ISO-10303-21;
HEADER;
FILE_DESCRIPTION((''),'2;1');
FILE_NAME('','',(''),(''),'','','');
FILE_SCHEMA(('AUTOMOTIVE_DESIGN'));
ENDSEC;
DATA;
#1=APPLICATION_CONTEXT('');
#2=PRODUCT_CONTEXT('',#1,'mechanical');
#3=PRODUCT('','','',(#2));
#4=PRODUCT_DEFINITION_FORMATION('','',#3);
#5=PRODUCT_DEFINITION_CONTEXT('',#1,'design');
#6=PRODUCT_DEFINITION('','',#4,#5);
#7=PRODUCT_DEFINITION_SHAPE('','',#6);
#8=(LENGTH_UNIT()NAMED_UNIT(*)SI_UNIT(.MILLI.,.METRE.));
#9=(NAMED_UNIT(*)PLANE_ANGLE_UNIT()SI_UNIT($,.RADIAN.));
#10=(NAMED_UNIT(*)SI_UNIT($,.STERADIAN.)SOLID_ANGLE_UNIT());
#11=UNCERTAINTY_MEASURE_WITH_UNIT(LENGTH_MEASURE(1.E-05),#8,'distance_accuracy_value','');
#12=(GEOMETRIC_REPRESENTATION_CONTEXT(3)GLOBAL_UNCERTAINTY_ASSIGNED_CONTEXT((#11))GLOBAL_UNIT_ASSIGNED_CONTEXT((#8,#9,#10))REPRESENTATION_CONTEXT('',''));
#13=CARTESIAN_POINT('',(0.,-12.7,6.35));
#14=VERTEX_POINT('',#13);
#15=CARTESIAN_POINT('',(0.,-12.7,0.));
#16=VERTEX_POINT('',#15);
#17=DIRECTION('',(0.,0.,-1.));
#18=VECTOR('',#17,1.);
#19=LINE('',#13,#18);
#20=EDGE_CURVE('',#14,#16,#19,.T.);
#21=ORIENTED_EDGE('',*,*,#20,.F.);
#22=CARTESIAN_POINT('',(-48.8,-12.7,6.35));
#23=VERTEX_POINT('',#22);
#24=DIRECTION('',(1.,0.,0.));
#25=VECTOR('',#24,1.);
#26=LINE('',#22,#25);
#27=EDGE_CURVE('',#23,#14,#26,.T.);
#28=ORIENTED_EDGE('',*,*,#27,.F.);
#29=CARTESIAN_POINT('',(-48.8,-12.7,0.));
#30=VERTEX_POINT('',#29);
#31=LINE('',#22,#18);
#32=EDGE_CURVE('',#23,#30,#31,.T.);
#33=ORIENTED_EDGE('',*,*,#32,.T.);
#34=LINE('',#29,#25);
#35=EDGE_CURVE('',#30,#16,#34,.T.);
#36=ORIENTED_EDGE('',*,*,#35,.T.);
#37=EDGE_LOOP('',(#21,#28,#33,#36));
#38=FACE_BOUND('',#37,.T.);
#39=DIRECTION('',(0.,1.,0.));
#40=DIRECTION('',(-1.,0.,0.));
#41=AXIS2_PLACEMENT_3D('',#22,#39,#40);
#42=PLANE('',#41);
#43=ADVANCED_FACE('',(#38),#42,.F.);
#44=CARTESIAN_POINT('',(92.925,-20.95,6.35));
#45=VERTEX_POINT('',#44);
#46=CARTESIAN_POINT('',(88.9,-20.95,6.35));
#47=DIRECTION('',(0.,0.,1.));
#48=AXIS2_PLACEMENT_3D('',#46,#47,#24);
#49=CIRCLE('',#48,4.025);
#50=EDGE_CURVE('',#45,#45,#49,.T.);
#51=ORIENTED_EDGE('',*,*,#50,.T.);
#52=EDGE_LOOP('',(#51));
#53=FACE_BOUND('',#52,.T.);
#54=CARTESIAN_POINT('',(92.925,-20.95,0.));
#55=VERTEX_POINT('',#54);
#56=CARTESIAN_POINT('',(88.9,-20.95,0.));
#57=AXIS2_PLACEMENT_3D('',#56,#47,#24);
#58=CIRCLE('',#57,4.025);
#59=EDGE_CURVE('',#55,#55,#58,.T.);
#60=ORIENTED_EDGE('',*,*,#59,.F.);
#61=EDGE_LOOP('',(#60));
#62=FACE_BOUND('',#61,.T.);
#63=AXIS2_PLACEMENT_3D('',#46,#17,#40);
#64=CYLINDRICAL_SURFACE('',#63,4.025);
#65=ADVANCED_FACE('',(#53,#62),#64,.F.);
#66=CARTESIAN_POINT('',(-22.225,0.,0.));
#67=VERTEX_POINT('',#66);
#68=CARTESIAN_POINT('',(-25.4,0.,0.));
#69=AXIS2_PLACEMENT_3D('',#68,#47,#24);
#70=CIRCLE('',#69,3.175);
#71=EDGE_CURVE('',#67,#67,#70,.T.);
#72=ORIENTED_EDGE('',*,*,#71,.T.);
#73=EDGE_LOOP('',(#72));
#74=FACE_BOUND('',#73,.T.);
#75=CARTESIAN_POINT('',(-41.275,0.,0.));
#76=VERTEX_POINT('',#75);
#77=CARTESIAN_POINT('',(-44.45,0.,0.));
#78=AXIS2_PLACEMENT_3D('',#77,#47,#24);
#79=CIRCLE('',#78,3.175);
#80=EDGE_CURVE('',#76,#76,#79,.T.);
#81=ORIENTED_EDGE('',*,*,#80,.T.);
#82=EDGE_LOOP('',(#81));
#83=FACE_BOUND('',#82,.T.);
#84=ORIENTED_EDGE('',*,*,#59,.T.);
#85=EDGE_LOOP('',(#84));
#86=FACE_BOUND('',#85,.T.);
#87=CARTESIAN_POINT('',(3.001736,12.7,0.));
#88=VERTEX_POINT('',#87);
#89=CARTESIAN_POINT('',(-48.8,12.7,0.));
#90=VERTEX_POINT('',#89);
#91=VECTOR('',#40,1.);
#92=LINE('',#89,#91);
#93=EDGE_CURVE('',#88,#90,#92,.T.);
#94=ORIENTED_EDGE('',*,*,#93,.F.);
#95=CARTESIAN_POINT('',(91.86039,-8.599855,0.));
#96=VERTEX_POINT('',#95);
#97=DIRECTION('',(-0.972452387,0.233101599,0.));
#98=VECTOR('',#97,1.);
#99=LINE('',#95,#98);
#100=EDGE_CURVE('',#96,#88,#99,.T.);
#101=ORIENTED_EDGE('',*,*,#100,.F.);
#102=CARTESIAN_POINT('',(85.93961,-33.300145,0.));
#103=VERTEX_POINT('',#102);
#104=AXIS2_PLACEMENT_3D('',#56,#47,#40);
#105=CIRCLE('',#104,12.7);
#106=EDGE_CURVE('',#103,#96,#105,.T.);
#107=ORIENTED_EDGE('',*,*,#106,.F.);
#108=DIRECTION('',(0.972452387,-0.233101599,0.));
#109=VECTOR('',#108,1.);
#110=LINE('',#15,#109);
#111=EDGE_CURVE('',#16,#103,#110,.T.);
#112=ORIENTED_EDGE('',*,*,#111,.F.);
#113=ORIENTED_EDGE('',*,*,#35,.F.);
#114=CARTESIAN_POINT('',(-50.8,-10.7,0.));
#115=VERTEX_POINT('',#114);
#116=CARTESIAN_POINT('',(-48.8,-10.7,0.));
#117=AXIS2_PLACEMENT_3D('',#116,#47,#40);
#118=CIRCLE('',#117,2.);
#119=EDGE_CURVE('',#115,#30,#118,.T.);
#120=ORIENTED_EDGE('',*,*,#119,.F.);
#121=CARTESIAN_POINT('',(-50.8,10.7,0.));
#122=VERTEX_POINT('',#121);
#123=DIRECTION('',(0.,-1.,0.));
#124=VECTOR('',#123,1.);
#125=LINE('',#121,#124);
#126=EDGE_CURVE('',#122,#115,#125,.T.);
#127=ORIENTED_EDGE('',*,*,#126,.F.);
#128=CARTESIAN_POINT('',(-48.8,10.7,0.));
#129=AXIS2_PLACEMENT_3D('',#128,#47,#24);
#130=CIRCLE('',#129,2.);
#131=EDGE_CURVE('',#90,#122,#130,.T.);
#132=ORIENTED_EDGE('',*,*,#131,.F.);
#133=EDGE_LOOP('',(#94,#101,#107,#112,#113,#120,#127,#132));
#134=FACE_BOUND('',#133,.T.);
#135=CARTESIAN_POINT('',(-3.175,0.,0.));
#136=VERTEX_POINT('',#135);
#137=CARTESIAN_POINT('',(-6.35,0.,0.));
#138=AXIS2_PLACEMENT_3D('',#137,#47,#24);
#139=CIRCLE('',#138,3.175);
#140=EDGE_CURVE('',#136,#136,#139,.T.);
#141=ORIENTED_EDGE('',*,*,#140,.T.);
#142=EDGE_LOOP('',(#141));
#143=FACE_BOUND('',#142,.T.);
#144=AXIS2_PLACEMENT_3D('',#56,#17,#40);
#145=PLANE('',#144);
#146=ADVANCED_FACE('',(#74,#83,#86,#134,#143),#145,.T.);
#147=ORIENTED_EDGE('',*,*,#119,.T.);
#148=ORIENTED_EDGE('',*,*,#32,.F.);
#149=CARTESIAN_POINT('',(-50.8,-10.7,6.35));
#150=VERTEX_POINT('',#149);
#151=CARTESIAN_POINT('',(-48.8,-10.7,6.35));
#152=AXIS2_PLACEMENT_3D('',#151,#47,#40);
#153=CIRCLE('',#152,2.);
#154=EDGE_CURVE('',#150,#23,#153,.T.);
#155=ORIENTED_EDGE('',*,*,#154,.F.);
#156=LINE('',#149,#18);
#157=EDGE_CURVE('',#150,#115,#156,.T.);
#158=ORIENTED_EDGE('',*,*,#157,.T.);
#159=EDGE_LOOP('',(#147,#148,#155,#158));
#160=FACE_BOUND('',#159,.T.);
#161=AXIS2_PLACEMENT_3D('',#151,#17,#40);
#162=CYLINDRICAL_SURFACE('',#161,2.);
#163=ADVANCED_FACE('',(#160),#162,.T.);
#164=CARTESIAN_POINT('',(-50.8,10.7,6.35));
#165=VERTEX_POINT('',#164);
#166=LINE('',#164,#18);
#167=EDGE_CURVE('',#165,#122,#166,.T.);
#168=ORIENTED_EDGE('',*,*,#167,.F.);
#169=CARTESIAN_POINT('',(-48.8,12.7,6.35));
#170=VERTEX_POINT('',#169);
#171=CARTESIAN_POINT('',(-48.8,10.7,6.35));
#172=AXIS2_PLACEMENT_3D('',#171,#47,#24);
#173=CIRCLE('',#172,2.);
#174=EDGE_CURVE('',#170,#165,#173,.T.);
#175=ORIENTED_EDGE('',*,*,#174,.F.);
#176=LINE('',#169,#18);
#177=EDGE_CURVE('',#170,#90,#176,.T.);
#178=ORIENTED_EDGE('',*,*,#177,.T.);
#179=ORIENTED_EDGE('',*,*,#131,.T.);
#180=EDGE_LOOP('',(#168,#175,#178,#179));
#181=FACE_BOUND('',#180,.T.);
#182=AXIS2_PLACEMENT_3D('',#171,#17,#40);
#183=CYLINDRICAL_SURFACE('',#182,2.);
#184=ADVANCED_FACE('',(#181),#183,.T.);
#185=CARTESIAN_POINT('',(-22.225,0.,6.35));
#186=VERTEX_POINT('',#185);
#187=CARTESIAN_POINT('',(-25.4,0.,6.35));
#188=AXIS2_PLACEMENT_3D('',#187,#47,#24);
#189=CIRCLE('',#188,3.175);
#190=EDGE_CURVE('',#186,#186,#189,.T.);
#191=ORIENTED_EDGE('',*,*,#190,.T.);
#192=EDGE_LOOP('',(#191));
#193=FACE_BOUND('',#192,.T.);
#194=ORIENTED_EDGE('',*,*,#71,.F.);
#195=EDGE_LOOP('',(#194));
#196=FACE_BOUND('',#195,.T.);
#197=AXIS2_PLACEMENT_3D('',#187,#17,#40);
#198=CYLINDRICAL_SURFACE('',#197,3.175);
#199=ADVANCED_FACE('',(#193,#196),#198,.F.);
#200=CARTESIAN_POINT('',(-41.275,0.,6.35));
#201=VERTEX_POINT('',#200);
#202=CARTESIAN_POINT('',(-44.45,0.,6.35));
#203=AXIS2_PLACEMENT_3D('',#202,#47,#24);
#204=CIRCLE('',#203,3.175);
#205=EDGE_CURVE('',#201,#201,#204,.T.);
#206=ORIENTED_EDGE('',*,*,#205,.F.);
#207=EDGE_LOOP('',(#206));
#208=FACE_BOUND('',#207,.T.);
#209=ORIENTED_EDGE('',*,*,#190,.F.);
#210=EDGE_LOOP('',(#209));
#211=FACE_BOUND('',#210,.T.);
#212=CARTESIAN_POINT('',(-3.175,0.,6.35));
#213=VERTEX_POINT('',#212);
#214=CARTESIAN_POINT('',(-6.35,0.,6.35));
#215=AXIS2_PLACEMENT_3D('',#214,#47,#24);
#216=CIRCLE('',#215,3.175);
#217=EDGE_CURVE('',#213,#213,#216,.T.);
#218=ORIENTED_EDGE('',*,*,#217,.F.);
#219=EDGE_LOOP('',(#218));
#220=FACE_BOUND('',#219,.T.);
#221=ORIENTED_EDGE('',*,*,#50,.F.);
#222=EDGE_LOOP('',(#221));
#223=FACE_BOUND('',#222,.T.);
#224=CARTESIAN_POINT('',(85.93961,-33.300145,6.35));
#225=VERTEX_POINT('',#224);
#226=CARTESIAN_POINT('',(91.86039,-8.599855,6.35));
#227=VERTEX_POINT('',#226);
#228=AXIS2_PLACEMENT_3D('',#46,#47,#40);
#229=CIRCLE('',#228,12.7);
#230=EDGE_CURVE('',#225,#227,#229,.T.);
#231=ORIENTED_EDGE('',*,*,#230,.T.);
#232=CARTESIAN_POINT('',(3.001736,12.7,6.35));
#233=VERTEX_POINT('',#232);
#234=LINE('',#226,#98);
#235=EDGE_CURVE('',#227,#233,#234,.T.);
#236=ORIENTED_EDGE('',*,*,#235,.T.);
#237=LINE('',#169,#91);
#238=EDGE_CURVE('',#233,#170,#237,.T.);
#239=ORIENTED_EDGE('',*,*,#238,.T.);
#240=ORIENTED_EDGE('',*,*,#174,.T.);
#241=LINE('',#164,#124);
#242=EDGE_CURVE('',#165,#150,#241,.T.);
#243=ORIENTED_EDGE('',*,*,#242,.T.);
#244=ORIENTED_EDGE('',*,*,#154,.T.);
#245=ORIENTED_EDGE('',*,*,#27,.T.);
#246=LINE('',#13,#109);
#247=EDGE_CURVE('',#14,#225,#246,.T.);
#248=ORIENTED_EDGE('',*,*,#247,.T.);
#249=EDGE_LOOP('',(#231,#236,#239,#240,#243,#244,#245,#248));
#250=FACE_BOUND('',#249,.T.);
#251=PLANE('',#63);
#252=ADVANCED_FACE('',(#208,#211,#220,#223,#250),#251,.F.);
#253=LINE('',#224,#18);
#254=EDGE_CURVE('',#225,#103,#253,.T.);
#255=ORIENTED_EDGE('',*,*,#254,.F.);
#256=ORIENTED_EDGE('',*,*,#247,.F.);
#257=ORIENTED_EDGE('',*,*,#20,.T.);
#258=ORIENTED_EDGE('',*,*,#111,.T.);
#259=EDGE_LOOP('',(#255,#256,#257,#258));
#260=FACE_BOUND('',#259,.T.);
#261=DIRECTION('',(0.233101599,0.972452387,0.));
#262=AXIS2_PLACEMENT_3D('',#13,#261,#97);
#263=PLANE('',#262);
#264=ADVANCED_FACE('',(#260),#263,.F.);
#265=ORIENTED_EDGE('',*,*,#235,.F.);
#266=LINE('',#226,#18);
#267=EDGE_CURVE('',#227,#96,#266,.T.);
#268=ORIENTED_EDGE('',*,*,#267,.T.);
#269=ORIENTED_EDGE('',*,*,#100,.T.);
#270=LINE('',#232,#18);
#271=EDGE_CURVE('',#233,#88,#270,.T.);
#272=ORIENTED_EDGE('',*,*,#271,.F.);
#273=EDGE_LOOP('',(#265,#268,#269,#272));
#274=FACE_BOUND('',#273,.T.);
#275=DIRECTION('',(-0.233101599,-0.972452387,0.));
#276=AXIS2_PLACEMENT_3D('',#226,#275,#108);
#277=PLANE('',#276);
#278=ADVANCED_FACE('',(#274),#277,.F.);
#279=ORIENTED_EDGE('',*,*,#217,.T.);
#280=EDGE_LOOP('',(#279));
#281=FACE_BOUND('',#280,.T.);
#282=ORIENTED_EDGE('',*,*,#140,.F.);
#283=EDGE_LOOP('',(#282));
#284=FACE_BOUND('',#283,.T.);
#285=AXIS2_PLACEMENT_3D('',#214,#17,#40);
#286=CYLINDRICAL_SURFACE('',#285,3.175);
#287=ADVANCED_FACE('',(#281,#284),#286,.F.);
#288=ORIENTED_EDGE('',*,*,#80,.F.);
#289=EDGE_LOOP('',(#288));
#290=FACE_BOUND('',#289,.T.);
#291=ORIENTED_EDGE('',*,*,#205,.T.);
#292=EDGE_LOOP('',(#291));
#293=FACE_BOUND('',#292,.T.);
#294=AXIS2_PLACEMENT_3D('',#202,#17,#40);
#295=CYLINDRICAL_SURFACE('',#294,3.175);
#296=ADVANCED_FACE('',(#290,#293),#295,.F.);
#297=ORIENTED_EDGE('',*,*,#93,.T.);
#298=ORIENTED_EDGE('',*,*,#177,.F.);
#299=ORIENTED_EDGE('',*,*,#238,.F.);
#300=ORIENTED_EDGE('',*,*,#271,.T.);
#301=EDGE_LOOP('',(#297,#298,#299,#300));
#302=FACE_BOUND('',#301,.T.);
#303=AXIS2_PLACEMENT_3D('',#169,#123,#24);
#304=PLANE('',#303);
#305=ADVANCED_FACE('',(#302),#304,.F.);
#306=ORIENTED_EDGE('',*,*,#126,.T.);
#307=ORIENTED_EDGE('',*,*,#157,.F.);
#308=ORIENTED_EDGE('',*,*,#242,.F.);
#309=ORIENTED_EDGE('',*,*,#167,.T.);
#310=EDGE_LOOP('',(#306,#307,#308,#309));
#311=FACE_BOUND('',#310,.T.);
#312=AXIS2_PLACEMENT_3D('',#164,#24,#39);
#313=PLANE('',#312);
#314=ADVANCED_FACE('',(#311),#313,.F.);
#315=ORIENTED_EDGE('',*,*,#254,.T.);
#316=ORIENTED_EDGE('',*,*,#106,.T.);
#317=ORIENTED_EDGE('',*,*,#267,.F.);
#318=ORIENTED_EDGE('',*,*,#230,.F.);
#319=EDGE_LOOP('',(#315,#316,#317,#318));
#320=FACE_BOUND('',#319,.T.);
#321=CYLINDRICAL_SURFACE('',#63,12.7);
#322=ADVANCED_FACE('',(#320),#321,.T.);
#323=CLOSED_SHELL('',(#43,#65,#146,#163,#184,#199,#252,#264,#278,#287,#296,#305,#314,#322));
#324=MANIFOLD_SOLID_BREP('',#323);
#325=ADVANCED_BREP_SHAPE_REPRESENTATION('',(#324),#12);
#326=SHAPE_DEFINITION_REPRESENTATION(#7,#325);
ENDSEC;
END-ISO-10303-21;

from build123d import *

# Parameters (mm, degrees)
SKETCH1_R           = 3.175
SKETCH1_R_2         = 4.025
BOSS_EXTRUDE1_DEPTH = 6.35


with BuildPart() as part:
    # Sketch1 → Boss-Extrude1 (new body)
    with BuildSketch(Plane.XY):
        with BuildLine():
            Line((91.860390313, -8.599854689), (3.001735639, 12.7))
            Line((3.001735639, 12.7), (-48.8, 12.7))
            ThreePointArc((-48.8, 12.7), (-50.214213562, 12.114213562), (-50.8, 10.7))
            Line((-50.8, 10.7), (-50.8, -10.7))
            ThreePointArc((-50.8, -10.7), (-50.214213562, -12.114213562), (-48.8, -12.7))
            Line((-48.8, -12.7), (0, -12.7))
            Line((0, -12.7), (85.939609687, -33.300145311))
            ThreePointArc((85.939609687, -33.300145311), (101.250145311, -23.910390313), (91.860390313, -8.599854689))
        make_face()
        with Locations((-25.4, 0)):
            Circle(SKETCH1_R, mode=Mode.SUBTRACT)
        with Locations((88.9, -20.95)):
            Circle(SKETCH1_R_2, mode=Mode.SUBTRACT)
        with Locations((-44.45, 0)):
            Circle(SKETCH1_R, mode=Mode.SUBTRACT)
        with Locations((-6.35, 0)):
            Circle(SKETCH1_R, mode=Mode.SUBTRACT)
    extrude(amount=BOSS_EXTRUDE1_DEPTH)


solid = part.part
